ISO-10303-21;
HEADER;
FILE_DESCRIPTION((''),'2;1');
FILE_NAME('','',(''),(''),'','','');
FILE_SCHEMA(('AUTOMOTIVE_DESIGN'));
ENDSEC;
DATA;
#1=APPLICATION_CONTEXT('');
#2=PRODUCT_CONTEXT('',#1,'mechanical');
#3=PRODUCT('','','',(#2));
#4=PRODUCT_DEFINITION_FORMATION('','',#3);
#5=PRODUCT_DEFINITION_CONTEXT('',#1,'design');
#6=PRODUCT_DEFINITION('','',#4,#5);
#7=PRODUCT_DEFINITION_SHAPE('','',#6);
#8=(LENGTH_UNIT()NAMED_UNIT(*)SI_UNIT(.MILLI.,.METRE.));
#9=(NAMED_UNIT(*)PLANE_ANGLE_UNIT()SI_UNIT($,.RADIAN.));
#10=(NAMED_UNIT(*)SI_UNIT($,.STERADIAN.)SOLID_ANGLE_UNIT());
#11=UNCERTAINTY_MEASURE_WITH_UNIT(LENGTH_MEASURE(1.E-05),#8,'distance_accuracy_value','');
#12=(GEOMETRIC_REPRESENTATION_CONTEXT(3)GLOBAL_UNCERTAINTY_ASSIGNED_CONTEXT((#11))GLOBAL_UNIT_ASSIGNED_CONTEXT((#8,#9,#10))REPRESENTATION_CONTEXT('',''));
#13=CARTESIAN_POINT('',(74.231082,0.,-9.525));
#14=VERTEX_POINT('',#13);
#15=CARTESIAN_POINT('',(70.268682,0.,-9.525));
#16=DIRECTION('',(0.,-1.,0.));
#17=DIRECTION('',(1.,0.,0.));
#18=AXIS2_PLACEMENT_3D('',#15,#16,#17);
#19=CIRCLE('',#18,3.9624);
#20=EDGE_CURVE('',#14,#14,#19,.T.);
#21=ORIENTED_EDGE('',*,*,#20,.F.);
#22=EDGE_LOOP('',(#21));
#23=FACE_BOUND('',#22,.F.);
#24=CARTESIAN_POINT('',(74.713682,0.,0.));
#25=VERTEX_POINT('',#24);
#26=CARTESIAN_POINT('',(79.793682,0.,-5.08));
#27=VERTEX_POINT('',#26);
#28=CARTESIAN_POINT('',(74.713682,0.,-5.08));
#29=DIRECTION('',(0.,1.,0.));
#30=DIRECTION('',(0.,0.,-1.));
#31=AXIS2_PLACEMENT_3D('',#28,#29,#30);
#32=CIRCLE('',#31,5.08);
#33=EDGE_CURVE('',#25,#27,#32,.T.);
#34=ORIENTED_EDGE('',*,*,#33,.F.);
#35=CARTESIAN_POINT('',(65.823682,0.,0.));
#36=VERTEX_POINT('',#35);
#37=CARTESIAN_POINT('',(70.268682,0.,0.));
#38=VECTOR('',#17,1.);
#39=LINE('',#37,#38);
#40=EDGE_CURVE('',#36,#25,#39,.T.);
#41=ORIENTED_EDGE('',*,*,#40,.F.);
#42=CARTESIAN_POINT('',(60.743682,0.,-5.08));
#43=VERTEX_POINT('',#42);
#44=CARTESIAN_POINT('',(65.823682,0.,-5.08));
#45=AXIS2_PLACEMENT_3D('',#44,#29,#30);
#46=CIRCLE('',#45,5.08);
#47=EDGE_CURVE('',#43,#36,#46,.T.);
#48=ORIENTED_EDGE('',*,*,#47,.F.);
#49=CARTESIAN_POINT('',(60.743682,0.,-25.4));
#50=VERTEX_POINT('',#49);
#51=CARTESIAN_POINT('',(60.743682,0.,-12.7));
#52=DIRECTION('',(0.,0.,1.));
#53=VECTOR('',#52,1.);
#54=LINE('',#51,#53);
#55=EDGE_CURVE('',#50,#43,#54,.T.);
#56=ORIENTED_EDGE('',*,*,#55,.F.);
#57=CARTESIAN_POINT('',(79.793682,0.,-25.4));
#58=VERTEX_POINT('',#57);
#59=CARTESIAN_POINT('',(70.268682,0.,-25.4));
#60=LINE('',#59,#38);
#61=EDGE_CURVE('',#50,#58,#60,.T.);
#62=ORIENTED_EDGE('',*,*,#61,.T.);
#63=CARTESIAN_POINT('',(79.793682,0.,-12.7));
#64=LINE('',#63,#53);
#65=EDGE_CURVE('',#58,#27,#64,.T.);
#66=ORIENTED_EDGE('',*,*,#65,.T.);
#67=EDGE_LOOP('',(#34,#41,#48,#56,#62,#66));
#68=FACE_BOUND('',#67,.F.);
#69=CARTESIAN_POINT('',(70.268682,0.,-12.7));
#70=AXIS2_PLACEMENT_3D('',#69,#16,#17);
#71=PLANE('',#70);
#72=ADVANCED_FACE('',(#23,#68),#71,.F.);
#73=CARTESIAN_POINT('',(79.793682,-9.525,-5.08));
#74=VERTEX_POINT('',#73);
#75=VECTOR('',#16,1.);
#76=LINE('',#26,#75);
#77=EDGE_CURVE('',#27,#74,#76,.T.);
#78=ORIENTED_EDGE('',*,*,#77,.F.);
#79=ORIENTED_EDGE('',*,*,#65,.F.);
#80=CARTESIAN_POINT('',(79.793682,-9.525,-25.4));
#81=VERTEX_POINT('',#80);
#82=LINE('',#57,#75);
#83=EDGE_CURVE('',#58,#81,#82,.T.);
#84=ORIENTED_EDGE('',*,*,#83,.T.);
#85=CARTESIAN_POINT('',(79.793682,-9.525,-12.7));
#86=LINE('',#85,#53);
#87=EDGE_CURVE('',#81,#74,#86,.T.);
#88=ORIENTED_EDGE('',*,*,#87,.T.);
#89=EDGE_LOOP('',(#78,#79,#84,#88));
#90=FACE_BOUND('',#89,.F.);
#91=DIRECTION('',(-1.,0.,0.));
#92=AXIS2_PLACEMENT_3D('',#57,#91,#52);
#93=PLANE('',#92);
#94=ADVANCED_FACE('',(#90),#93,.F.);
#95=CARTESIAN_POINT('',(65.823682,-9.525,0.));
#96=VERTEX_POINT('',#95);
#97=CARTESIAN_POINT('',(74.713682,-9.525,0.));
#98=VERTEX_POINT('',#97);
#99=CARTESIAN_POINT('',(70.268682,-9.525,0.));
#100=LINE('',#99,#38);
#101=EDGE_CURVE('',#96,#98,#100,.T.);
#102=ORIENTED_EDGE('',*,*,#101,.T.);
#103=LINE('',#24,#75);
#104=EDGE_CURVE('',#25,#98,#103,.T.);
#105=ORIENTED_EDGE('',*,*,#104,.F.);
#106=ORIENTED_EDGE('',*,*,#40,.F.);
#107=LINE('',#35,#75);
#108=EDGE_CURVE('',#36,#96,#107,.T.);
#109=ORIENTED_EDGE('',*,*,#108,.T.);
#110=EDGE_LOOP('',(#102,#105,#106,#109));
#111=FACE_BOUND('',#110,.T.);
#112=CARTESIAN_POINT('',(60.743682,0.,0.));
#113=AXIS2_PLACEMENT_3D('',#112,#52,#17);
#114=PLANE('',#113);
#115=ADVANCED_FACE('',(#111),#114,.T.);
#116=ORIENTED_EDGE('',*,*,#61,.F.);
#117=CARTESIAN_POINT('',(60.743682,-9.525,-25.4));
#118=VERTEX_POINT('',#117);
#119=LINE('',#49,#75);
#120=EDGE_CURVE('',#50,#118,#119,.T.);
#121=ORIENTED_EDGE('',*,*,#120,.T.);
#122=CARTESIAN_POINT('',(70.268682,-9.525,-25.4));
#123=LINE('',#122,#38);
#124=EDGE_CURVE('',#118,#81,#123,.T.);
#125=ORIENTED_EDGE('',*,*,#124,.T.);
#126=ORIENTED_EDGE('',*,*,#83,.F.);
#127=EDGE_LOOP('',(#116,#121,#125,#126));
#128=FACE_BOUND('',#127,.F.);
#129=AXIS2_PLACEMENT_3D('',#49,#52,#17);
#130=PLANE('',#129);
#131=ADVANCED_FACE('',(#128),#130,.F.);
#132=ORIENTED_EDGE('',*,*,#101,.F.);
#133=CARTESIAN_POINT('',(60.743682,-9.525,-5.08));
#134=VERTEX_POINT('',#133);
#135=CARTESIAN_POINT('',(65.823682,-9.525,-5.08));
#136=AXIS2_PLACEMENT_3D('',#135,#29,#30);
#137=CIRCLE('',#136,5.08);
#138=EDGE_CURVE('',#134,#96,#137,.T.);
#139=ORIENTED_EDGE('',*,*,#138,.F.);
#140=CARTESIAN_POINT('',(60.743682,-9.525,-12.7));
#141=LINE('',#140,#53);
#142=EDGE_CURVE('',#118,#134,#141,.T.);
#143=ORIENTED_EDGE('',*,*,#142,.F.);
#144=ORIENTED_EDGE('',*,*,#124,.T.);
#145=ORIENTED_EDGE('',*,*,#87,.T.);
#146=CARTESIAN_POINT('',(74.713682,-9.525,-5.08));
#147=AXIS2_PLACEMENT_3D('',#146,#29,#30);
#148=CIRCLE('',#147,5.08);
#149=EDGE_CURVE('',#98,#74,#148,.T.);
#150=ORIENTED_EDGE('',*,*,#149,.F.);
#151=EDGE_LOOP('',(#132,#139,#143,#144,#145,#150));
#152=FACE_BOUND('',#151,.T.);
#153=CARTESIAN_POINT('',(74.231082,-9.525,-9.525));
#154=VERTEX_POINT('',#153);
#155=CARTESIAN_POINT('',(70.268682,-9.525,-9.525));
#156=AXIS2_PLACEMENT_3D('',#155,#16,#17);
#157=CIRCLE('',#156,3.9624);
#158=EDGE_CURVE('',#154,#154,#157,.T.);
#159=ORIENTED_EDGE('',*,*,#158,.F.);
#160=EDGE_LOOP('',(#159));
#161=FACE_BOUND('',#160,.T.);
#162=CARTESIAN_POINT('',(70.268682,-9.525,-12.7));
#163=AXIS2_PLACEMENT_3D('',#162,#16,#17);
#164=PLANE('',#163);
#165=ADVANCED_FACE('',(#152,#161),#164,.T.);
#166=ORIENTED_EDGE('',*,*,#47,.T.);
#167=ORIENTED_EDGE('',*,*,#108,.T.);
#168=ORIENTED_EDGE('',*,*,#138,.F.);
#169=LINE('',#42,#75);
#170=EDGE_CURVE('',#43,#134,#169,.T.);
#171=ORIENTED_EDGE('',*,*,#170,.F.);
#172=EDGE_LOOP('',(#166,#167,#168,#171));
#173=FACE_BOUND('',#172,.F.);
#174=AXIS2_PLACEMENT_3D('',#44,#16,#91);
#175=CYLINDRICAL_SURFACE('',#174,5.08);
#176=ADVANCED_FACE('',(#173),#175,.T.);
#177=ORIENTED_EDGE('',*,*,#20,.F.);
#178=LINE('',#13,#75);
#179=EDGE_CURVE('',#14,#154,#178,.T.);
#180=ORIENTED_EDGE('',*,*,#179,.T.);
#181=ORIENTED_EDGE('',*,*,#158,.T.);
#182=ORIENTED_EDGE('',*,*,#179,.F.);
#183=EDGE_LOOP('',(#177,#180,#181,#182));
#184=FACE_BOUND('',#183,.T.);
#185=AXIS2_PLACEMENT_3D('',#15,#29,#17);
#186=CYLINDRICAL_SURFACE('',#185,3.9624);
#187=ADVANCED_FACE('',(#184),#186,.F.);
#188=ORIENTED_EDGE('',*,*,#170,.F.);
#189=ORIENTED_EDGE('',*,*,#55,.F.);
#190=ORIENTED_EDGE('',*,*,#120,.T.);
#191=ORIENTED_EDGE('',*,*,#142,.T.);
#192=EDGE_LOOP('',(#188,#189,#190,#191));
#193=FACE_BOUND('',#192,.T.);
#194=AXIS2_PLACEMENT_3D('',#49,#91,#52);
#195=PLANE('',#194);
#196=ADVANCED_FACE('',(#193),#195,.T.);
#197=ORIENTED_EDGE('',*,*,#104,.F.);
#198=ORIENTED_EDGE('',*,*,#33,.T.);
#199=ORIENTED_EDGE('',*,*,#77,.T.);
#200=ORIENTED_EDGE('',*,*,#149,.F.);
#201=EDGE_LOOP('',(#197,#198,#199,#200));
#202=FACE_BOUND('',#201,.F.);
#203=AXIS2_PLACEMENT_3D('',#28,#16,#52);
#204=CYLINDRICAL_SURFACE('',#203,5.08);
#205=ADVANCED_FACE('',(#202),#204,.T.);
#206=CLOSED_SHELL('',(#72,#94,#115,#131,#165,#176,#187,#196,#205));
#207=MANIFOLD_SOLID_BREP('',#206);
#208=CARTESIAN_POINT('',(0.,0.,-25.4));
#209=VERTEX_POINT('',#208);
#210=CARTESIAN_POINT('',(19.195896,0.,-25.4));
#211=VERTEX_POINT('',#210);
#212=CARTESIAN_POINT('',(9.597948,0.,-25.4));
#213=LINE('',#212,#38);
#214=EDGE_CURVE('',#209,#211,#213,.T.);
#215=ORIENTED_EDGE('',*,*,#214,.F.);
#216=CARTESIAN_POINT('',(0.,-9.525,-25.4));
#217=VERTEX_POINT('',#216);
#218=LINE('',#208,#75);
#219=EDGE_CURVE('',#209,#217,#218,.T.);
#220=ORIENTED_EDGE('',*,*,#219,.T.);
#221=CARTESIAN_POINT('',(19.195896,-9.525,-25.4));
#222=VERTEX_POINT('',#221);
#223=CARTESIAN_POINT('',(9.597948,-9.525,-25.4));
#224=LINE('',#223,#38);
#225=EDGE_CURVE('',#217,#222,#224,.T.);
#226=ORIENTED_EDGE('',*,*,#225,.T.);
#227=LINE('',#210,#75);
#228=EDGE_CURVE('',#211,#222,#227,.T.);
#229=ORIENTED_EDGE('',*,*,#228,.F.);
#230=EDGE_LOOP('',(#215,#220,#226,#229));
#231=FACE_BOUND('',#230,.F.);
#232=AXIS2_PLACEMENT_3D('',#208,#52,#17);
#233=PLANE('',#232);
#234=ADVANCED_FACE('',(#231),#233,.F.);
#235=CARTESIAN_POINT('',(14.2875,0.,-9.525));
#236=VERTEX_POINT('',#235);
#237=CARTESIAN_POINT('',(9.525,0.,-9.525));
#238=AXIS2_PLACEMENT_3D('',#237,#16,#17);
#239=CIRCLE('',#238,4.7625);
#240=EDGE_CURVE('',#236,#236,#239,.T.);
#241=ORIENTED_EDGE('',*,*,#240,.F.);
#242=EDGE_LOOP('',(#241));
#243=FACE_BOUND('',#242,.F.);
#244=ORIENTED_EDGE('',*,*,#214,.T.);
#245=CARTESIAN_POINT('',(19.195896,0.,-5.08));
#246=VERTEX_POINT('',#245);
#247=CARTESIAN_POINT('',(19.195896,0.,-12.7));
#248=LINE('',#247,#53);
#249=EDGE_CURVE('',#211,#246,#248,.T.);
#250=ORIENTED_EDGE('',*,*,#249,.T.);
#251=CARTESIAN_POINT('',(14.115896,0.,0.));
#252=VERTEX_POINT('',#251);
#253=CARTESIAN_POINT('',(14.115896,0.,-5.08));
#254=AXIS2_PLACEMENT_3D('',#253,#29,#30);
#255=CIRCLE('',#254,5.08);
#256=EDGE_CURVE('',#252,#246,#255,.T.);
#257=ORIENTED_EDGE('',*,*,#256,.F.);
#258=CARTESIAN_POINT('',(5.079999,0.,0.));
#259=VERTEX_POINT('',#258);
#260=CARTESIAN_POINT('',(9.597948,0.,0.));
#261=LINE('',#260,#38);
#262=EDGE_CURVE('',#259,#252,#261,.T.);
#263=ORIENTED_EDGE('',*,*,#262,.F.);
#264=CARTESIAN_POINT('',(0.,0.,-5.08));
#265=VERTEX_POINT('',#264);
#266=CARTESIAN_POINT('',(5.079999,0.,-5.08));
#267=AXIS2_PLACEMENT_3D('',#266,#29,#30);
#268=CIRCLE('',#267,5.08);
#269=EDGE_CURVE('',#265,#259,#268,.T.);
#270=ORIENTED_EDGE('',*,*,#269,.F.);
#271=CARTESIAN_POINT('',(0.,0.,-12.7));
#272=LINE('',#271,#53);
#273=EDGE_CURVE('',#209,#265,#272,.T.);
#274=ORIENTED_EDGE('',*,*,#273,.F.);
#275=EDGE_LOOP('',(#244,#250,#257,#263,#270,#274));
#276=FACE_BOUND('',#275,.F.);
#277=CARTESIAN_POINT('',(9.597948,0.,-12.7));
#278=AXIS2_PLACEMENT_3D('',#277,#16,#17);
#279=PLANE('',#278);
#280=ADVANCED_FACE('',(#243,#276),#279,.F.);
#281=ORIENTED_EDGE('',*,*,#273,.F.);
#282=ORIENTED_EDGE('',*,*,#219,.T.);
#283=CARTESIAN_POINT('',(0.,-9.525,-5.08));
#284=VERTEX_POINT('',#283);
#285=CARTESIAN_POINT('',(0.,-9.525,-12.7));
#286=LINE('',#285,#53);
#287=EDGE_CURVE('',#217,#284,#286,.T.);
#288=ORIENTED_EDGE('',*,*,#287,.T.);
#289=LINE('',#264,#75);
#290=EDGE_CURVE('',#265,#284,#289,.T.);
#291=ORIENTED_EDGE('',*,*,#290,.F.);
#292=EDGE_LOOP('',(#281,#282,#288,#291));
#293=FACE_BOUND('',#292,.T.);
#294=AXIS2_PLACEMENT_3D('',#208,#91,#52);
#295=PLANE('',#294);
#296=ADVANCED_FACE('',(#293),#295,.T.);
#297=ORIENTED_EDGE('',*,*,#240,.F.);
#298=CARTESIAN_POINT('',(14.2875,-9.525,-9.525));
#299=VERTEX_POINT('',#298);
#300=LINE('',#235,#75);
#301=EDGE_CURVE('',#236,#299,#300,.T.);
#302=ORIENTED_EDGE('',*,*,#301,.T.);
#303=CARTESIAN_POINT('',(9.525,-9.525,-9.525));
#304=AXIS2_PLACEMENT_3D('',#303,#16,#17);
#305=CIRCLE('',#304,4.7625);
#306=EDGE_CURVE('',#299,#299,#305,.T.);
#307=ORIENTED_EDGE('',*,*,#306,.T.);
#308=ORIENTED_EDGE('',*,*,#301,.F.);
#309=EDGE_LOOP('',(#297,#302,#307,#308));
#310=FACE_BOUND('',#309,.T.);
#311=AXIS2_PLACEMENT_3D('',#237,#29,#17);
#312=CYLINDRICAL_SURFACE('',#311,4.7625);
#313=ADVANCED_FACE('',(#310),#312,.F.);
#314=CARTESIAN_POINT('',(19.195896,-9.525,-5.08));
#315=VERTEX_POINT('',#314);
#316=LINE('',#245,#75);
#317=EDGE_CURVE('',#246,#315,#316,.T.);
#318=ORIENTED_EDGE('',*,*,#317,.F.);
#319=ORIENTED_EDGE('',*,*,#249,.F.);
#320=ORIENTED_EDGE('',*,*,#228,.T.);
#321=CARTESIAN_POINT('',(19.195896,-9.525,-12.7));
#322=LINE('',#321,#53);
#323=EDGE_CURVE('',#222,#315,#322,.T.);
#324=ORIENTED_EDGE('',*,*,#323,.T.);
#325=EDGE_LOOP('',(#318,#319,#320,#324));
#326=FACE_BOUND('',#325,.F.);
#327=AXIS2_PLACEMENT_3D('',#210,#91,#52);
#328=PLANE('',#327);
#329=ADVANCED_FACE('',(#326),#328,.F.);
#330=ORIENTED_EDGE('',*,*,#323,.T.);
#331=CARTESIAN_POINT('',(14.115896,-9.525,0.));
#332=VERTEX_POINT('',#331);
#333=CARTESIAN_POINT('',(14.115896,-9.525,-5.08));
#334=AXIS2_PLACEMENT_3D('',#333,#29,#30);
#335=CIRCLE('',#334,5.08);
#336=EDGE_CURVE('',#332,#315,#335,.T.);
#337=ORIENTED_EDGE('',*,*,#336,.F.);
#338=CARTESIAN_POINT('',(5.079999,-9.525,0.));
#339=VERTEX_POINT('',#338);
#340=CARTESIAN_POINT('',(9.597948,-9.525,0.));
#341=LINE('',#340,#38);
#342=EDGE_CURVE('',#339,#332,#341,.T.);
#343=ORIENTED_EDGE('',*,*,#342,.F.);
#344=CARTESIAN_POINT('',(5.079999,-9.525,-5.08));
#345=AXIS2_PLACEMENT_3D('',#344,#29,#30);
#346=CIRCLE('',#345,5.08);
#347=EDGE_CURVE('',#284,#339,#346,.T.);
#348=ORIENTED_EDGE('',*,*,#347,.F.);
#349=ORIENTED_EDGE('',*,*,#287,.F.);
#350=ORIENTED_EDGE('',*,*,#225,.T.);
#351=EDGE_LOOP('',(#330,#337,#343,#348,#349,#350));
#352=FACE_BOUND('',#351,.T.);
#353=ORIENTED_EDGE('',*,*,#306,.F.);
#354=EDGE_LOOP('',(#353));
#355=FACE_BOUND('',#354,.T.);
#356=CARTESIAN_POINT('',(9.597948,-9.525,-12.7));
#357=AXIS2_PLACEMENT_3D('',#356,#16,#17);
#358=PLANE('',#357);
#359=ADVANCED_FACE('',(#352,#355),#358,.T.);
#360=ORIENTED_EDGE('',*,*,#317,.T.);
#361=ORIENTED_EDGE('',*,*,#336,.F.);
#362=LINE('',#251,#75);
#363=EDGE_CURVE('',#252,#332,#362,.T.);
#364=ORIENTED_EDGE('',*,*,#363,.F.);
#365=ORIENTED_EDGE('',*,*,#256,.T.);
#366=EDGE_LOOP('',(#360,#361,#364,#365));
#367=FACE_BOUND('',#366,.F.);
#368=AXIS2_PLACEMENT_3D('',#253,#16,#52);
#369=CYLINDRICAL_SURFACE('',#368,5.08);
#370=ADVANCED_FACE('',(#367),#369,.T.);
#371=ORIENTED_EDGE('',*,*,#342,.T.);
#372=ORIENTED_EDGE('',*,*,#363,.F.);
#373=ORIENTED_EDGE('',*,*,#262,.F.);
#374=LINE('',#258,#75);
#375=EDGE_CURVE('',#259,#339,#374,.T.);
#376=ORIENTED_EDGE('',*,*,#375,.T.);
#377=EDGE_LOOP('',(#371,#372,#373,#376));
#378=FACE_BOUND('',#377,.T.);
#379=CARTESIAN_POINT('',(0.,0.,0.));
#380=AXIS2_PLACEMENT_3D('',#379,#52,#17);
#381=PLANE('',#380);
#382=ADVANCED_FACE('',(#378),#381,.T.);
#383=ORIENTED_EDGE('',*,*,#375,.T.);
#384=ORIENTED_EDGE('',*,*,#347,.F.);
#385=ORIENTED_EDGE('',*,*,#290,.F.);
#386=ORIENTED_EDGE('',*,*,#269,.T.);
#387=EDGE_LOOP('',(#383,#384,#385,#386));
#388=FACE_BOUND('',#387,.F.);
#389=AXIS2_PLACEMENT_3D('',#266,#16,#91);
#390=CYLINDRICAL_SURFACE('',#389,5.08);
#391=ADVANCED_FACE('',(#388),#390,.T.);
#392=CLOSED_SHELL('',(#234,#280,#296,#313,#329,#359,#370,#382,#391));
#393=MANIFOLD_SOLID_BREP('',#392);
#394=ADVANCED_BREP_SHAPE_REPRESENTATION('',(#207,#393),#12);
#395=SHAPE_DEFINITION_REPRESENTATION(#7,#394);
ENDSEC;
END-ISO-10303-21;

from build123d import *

# Parameters (mm, degrees)
F0_W      = 19.195897
F0_H      = 25.4
F0_R      = 4.7625
F0_W_2    = 19.05
F0_R_2    = 3.9624
F1_DEPTH  = 9.525
F1_FACE_W = 19.195897
F1_FACE_H = 25.4
F1_FACE_R = 4.7625
F2_DEPTH  = 9.525
F3_R      = 5.08
F4_R      = 5.08


with BuildPart() as f1:
    # F0 (on Front) → F1 (new body)
    with BuildSketch(Plane.XZ):
        with Locations((9.597948, -12.7)):
            Rectangle(F0_W, F0_H)
        with Locations((9.525, -9.525)):
            Circle(F0_R, mode=Mode.SUBTRACT)
        with Locations((70.268682, -12.7)):
            Rectangle(F0_W_2, F0_H)
        with Locations((70.268682, -9.525)):
            Circle(F0_R_2, mode=Mode.SUBTRACT)
    extrude(amount=F1_DEPTH)

    # F1_face (on face) → F2 (join)
    with BuildSketch(Plane(origin=(9.610434, 0, -13.243421), x_dir=(1, 0, 0), z_dir=(0, 1, 0))):
        with Locations((-0.012486, -0.543421)):
            Rectangle(F1_FACE_W, F1_FACE_H)
        with Locations((-0.085434, -3.718421)):
            Circle(F1_FACE_R, mode=Mode.SUBTRACT)
    extrude(amount=-F2_DEPTH)

    # F3
    f3_edges = [f1.edges().sort_by_distance(p)[0] for p in [
        (60.743682, -4.7625, 0),
        (79.793682, -4.7625, 0),
    ]]
    fillet(f3_edges, radius=F3_R)

    # F4
    f4_edges = [f1.edges().sort_by_distance(p)[0] for p in [
        (19.195897, -4.7625, 0),
        (0, -4.7625, 0),
    ]]
    fillet(f4_edges, radius=F4_R)


solid = f1.part
